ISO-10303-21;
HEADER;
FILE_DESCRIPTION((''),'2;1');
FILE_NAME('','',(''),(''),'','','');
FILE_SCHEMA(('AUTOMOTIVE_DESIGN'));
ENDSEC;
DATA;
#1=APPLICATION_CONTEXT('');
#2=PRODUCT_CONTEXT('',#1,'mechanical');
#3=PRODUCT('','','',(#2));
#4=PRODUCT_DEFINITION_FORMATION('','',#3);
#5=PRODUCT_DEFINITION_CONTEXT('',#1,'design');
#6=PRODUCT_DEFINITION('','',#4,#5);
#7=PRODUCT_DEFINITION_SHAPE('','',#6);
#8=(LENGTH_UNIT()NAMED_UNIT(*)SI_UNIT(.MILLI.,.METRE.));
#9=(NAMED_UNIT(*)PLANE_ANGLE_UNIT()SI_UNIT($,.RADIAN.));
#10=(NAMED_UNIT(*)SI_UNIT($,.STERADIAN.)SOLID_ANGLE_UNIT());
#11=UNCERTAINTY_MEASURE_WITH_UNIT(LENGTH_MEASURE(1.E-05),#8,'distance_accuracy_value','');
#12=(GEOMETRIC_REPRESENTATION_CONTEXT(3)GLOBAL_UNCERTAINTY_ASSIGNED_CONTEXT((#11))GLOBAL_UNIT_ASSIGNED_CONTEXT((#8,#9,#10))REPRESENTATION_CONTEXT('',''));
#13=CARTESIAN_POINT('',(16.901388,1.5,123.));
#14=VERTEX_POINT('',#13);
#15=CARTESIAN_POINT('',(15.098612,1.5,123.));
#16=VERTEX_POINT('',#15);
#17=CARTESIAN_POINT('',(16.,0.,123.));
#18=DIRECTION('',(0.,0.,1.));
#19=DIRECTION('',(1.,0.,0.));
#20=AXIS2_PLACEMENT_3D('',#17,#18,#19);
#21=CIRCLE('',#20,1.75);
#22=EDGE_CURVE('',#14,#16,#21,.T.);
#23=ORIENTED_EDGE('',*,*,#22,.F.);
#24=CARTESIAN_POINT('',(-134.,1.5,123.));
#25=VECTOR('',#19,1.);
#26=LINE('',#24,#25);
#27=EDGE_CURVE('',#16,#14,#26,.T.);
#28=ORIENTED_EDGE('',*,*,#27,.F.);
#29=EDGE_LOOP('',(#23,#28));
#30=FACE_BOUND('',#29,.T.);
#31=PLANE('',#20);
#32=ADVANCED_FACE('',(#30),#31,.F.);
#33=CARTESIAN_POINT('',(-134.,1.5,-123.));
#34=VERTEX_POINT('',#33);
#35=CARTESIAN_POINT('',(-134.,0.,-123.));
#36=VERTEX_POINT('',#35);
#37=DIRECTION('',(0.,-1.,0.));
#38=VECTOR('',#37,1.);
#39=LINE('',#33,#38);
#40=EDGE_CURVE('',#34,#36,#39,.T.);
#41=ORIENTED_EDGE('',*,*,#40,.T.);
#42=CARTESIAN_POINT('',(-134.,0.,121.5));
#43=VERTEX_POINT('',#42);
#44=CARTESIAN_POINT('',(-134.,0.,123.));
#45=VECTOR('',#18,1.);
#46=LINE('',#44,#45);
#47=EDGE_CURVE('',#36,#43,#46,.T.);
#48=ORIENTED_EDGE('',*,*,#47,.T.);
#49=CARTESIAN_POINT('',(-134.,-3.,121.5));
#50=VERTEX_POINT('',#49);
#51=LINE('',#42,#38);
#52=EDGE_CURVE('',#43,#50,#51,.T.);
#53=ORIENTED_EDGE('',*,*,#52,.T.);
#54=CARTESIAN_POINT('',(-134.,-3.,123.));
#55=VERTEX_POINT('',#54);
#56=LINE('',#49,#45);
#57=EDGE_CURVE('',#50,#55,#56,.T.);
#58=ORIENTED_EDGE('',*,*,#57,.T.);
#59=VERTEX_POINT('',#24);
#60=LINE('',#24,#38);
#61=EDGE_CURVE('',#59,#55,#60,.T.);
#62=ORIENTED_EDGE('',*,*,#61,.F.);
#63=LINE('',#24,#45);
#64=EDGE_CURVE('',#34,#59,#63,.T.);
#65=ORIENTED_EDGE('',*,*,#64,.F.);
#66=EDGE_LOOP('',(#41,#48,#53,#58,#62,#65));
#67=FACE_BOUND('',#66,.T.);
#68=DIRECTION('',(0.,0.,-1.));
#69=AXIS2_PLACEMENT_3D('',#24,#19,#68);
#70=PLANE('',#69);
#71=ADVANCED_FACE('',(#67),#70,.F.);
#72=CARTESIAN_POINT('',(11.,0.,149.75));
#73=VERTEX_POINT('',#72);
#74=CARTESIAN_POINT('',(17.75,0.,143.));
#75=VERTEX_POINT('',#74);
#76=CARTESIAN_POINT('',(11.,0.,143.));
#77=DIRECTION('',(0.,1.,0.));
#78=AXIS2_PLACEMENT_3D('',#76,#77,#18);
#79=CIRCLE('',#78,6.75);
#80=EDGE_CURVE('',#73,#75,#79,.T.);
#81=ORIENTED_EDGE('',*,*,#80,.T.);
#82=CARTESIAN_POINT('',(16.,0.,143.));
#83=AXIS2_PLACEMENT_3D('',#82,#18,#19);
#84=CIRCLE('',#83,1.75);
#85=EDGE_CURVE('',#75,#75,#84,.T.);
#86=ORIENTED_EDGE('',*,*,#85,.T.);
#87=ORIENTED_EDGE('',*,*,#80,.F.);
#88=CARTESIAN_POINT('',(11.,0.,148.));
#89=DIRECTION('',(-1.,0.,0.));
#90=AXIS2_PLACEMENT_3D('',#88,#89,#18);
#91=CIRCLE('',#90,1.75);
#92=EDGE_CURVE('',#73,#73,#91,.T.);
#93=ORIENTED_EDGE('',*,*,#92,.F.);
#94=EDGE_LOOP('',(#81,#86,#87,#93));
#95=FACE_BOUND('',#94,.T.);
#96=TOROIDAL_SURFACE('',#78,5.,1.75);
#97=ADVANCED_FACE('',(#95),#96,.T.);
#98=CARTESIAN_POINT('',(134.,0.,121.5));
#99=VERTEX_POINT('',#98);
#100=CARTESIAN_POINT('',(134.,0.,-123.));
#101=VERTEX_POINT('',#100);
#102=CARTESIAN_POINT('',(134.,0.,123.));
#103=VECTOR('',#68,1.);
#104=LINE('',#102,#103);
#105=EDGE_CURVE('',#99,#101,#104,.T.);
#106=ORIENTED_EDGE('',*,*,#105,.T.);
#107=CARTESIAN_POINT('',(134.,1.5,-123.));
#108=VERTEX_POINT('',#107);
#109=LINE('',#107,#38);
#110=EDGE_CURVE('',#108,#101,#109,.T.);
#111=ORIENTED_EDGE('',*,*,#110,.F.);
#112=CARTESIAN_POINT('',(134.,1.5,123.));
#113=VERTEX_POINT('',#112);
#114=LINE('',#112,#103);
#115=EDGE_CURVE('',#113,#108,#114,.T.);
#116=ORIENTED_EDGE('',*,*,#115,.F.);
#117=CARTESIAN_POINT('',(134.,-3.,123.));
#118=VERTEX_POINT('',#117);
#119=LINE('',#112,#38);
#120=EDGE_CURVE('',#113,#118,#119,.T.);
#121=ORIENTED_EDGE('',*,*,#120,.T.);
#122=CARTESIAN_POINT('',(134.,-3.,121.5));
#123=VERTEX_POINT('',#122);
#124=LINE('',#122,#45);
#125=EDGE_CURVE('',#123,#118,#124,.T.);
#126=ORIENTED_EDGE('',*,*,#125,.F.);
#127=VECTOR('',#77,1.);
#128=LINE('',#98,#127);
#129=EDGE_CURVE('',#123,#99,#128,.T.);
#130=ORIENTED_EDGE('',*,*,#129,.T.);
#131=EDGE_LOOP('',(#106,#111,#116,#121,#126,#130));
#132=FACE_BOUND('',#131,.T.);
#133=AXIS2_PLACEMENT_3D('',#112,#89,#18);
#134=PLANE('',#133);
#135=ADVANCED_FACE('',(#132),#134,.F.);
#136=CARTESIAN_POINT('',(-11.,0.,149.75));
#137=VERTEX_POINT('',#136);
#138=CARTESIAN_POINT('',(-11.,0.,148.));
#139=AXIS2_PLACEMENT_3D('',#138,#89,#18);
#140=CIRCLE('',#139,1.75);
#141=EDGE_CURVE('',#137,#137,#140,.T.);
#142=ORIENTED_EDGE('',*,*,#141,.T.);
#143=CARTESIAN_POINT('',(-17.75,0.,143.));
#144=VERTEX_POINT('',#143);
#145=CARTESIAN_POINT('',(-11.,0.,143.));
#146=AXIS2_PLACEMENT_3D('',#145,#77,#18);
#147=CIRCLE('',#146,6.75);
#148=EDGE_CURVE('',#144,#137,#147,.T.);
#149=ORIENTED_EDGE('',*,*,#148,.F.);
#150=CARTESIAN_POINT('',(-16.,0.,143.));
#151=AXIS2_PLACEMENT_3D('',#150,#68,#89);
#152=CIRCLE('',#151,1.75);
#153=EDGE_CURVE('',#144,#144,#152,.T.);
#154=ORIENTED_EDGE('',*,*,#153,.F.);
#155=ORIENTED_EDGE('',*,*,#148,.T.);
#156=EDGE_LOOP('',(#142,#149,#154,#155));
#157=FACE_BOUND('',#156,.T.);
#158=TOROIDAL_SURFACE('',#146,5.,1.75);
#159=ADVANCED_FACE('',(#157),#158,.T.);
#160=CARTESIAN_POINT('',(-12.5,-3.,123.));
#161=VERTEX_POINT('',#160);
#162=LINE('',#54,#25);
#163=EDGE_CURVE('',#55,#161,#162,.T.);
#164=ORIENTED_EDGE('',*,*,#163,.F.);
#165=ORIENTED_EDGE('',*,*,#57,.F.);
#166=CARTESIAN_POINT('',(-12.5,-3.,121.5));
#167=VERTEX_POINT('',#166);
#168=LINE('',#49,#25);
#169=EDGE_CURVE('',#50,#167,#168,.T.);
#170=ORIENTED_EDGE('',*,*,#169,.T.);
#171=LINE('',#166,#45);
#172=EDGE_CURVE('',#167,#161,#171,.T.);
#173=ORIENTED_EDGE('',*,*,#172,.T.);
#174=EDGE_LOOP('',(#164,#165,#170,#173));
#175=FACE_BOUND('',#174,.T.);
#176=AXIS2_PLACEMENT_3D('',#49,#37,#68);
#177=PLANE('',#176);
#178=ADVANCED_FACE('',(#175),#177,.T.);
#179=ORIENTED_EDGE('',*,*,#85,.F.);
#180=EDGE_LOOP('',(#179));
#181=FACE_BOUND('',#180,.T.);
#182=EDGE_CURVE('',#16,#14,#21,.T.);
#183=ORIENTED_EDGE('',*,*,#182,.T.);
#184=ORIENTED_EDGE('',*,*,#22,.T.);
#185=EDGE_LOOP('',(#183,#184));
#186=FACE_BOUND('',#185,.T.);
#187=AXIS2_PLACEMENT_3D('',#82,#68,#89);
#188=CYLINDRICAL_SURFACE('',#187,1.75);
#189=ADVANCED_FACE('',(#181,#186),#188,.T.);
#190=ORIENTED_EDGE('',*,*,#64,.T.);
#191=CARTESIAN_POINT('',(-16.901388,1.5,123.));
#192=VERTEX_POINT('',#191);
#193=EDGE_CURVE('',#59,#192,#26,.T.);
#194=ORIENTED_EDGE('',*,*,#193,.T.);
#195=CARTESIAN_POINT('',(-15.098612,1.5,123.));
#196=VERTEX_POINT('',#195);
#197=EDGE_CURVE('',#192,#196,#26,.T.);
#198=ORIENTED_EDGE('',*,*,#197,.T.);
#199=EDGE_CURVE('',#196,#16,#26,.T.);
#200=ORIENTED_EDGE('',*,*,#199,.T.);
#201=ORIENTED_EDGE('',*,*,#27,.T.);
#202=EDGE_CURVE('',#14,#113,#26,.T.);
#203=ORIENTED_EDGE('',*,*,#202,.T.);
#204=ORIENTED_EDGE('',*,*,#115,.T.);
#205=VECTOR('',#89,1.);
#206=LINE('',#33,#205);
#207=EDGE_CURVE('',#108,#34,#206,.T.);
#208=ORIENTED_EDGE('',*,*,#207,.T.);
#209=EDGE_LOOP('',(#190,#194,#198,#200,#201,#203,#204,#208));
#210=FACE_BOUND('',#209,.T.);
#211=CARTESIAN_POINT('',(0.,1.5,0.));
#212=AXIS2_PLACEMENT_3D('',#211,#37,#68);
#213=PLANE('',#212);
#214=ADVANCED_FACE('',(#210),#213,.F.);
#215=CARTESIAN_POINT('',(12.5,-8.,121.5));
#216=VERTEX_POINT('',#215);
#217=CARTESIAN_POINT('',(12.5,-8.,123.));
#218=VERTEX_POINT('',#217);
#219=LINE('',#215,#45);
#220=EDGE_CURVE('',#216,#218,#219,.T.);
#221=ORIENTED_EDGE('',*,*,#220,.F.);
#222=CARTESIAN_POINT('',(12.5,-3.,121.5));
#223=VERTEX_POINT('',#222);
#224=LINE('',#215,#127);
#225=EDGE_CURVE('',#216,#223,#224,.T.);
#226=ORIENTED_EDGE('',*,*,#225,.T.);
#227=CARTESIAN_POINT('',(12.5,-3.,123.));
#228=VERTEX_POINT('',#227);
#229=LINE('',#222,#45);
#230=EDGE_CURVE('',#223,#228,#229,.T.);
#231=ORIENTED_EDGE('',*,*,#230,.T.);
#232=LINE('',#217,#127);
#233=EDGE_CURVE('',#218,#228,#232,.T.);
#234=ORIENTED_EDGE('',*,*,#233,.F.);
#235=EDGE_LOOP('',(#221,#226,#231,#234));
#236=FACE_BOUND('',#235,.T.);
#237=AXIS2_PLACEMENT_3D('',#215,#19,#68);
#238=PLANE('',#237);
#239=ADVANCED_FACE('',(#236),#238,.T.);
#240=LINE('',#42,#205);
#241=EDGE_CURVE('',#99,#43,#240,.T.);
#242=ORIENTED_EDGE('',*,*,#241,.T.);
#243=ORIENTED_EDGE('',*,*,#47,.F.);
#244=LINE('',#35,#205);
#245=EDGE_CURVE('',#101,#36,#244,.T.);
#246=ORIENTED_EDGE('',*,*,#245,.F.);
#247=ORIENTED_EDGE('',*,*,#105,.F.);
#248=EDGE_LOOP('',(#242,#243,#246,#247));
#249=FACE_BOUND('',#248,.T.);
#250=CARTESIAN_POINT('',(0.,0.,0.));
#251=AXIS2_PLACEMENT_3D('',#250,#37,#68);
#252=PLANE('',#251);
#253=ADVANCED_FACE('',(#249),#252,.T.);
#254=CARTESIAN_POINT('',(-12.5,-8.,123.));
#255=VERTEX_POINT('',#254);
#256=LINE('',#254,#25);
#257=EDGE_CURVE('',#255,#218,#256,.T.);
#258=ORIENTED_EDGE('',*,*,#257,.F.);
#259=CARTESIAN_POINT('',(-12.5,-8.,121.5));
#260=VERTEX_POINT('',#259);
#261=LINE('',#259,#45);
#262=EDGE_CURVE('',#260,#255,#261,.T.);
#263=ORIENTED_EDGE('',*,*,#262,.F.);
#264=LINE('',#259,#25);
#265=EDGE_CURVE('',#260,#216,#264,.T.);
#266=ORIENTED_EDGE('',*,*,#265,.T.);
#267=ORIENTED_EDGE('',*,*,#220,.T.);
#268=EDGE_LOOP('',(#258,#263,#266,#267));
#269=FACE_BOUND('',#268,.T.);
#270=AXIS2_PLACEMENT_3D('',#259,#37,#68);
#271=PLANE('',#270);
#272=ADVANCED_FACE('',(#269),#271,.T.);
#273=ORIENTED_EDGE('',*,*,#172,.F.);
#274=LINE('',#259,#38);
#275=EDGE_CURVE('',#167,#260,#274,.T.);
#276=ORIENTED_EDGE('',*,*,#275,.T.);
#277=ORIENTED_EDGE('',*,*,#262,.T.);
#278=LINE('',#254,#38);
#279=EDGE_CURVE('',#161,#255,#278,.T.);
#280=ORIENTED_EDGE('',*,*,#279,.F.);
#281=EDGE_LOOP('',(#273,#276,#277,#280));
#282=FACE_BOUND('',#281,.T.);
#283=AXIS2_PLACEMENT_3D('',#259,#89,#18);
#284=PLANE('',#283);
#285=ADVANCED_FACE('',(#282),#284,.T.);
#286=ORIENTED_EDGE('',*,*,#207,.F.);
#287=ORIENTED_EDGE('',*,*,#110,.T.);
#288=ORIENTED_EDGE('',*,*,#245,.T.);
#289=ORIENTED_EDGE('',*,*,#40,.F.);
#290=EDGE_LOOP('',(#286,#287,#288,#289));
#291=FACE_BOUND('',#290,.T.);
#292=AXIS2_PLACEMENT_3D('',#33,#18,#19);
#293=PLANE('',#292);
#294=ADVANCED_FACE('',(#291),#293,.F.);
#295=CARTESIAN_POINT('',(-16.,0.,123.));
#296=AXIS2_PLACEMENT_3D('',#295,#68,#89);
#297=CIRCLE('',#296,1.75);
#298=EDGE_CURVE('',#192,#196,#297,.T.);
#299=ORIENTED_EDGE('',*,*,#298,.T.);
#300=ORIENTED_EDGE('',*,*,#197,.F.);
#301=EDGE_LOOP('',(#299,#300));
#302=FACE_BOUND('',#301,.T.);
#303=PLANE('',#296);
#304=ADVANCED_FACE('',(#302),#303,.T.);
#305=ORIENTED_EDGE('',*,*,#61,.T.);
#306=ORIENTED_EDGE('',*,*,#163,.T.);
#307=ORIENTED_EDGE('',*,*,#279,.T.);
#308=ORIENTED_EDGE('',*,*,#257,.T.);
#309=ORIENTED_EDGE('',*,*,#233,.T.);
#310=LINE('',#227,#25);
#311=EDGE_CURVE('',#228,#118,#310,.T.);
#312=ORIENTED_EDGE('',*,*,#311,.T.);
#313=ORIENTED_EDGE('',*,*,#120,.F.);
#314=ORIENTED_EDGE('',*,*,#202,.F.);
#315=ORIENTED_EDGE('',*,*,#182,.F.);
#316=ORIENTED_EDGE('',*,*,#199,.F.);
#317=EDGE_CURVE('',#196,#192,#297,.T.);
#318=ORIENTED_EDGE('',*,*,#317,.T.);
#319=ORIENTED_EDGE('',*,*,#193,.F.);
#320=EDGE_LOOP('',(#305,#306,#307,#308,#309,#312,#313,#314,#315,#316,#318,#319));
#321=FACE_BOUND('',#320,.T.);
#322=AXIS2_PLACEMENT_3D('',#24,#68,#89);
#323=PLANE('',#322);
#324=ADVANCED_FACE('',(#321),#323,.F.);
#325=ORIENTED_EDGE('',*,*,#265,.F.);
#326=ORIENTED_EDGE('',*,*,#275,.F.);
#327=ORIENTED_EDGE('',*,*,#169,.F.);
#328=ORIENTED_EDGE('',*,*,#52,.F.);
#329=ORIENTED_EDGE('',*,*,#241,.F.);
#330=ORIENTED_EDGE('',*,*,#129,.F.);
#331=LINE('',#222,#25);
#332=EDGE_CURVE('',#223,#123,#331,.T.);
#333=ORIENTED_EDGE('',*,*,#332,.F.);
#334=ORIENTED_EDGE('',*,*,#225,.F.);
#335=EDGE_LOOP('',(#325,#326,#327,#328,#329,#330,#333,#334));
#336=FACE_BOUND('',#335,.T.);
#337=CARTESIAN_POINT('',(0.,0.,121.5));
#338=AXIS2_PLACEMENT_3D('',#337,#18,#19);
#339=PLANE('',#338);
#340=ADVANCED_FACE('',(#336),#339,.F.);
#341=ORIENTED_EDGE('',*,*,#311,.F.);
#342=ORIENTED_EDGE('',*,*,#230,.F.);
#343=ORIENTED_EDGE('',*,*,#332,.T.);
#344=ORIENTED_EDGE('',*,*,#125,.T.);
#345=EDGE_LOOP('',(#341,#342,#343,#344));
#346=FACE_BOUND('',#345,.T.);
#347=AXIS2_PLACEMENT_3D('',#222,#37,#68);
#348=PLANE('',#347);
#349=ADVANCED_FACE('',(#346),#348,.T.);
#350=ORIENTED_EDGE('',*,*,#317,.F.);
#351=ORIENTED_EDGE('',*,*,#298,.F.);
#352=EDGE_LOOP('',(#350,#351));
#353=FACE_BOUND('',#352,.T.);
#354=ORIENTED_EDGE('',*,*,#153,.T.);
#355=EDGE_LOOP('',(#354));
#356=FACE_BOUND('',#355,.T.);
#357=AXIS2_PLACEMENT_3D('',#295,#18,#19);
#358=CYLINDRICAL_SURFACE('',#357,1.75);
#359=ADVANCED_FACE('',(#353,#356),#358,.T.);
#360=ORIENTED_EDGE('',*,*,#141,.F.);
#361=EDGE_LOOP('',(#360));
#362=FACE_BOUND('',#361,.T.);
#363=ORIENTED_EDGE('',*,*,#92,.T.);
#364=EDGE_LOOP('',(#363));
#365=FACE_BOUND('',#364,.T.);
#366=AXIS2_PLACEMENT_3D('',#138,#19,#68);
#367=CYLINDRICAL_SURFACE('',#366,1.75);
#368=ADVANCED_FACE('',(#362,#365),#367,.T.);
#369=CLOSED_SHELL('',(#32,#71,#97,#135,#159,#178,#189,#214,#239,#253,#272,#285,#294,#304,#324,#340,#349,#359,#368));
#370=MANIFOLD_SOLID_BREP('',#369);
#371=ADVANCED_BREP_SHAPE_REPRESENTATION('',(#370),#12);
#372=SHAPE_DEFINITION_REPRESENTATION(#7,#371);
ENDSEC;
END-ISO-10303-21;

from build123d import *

# Parameters (mm, degrees)
SKETCH1_W           = 268
SKETCH1_H           = 246
BOSS_EXTRUDE1_DEPTH = 1.5
BOSS_EXTRUDE2_DEPTH = 1.5
SWEEP1_PROFILE_R    = 1.75


with BuildPart() as part:
    # Sketch1 → Boss-Extrude1 (new body)
    with BuildSketch(Plane(origin=(0, 0, 0), x_dir=(1, 0, 0), z_dir=(0, 1, 0))):
        Rectangle(SKETCH1_W, SKETCH1_H)
    extrude(amount=BOSS_EXTRUDE1_DEPTH)

    # Sketch2 → Boss-Extrude2 (add)
    with BuildSketch(Plane.XY.offset(123)):
        Polygon((-134, 0), (134, 0), (134, -3), (12.5, -3), (12.5, -8), (-12.5, -8), (-12.5, -3), (-134, -3), align=None)
    extrude(amount=-BOSS_EXTRUDE2_DEPTH)

    # Sweep1: sweep along a path in Sketch3
    with BuildLine(Plane(origin=(0, 0, 0), x_dir=(1, 0, 0), z_dir=(0, 1, 0))) as sweep1_path:
        Line((-16, -123), (-16, -143))
        ThreePointArc((-16, -143), (-14.535533906, -146.535533906), (-11, -148))
        Line((-11, -148), (11, -148))
        ThreePointArc((11, -148), (14.535533906, -146.535533906), (16, -143))
        Line((16, -143), (16, -123))
    # Sweep1 profile (on start of the path) → Sweep1 (sweep)
    with BuildSketch(Plane(origin=(-16, 0, 123), x_dir=(1, 0, 0), z_dir=(0, 0, 1))):
        Circle(SWEEP1_PROFILE_R)
    sweep(path=sweep1_path.line)


solid = part.part
